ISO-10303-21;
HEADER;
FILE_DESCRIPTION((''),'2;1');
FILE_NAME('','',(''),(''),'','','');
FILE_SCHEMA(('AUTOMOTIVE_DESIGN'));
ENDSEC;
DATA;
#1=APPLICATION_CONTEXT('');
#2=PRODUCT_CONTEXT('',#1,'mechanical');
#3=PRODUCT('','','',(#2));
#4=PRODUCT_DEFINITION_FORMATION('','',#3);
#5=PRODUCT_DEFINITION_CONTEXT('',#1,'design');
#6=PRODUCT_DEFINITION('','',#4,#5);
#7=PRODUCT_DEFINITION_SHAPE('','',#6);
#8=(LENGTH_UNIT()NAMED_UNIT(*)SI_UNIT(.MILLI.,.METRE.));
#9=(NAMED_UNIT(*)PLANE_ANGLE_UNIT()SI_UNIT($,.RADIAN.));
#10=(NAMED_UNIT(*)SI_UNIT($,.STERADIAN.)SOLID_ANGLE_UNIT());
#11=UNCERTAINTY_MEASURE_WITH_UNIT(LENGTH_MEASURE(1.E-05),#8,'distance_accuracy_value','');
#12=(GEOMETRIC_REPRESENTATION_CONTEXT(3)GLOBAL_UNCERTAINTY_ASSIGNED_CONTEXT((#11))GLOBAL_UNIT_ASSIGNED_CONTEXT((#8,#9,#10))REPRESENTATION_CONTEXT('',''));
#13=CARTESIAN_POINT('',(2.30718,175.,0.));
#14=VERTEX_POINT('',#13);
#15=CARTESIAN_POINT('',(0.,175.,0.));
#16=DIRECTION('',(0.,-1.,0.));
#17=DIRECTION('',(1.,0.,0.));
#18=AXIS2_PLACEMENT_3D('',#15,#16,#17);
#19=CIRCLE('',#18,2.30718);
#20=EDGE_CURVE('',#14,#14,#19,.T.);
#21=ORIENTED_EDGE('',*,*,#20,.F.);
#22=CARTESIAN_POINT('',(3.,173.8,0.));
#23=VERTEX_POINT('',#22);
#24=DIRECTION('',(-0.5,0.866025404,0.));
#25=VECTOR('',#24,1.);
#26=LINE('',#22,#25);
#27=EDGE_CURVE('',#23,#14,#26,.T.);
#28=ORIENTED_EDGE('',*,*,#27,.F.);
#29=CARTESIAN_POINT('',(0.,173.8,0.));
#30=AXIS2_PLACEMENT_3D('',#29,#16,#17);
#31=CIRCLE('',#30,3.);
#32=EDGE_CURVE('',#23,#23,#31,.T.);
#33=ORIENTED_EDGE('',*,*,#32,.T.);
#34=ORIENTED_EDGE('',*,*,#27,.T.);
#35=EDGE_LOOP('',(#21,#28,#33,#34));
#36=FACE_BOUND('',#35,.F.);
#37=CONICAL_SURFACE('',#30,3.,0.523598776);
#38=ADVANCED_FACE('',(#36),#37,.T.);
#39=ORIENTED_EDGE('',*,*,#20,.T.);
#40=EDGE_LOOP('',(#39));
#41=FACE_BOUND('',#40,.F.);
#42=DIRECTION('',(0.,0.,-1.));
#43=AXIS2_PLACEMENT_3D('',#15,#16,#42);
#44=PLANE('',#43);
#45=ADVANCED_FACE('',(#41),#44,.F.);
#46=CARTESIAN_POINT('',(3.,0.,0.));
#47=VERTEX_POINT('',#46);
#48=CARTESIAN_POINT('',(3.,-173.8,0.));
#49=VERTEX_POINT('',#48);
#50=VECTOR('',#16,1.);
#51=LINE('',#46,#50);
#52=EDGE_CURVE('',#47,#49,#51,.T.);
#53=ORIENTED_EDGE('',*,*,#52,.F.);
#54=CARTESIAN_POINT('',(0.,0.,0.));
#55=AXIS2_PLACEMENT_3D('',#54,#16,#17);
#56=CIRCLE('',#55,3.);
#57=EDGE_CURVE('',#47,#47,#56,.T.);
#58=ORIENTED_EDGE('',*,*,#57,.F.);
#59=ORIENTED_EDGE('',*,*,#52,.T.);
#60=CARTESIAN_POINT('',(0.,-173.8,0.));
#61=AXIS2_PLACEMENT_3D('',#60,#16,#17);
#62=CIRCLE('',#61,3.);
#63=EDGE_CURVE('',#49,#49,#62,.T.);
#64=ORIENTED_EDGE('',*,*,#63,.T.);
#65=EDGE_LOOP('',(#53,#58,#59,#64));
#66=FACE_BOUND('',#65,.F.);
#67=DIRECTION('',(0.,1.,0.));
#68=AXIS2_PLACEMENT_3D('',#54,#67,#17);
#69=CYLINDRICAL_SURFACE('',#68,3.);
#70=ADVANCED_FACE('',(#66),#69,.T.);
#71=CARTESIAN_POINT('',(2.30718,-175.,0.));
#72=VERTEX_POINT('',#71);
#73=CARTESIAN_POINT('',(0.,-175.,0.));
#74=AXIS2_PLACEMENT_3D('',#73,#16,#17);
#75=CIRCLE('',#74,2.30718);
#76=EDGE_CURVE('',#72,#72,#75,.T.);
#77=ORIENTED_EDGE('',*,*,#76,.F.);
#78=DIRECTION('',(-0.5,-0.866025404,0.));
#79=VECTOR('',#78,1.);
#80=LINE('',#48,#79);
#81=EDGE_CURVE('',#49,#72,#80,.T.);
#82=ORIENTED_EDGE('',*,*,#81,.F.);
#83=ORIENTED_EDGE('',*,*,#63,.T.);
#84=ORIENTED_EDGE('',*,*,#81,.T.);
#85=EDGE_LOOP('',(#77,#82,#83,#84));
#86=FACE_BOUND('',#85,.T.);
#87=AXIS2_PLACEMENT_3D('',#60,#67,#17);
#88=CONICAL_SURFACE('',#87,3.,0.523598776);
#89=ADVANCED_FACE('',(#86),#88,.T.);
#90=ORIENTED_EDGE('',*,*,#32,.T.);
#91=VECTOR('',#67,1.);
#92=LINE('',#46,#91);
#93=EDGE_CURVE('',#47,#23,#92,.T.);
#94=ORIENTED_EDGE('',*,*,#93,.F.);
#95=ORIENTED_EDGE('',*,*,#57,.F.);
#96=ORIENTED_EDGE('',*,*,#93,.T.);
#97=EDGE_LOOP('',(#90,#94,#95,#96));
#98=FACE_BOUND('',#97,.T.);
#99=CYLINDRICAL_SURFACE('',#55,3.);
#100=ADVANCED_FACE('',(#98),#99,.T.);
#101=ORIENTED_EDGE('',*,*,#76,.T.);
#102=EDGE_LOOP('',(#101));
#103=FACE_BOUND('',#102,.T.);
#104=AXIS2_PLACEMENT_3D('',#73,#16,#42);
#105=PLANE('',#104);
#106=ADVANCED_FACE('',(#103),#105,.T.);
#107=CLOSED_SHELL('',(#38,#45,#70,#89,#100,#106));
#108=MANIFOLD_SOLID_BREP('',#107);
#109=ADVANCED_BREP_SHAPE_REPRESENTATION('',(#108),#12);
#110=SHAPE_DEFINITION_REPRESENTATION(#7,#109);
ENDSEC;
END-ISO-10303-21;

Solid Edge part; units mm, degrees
sketch "Sketch1" plane through (0, 0, 0) normal (0, -1, 0) x (1, 0, 0)
  circle A0 centre (0, 0) radius 3
  dimension "D1" = 6
extrude "Protrusion1" add sketch "Sketch1" along normal mid plane 350
chamfer "Chamfer_1" distance 1.2 angle 30 2 edges at (-3, -175, 0) (-3, 175, 0) measured on face at (1.6602, -144.0833, 2.4988) measured on face at (1.6602, 144.0833, 2.4988)
properties material "Stainless steel"
